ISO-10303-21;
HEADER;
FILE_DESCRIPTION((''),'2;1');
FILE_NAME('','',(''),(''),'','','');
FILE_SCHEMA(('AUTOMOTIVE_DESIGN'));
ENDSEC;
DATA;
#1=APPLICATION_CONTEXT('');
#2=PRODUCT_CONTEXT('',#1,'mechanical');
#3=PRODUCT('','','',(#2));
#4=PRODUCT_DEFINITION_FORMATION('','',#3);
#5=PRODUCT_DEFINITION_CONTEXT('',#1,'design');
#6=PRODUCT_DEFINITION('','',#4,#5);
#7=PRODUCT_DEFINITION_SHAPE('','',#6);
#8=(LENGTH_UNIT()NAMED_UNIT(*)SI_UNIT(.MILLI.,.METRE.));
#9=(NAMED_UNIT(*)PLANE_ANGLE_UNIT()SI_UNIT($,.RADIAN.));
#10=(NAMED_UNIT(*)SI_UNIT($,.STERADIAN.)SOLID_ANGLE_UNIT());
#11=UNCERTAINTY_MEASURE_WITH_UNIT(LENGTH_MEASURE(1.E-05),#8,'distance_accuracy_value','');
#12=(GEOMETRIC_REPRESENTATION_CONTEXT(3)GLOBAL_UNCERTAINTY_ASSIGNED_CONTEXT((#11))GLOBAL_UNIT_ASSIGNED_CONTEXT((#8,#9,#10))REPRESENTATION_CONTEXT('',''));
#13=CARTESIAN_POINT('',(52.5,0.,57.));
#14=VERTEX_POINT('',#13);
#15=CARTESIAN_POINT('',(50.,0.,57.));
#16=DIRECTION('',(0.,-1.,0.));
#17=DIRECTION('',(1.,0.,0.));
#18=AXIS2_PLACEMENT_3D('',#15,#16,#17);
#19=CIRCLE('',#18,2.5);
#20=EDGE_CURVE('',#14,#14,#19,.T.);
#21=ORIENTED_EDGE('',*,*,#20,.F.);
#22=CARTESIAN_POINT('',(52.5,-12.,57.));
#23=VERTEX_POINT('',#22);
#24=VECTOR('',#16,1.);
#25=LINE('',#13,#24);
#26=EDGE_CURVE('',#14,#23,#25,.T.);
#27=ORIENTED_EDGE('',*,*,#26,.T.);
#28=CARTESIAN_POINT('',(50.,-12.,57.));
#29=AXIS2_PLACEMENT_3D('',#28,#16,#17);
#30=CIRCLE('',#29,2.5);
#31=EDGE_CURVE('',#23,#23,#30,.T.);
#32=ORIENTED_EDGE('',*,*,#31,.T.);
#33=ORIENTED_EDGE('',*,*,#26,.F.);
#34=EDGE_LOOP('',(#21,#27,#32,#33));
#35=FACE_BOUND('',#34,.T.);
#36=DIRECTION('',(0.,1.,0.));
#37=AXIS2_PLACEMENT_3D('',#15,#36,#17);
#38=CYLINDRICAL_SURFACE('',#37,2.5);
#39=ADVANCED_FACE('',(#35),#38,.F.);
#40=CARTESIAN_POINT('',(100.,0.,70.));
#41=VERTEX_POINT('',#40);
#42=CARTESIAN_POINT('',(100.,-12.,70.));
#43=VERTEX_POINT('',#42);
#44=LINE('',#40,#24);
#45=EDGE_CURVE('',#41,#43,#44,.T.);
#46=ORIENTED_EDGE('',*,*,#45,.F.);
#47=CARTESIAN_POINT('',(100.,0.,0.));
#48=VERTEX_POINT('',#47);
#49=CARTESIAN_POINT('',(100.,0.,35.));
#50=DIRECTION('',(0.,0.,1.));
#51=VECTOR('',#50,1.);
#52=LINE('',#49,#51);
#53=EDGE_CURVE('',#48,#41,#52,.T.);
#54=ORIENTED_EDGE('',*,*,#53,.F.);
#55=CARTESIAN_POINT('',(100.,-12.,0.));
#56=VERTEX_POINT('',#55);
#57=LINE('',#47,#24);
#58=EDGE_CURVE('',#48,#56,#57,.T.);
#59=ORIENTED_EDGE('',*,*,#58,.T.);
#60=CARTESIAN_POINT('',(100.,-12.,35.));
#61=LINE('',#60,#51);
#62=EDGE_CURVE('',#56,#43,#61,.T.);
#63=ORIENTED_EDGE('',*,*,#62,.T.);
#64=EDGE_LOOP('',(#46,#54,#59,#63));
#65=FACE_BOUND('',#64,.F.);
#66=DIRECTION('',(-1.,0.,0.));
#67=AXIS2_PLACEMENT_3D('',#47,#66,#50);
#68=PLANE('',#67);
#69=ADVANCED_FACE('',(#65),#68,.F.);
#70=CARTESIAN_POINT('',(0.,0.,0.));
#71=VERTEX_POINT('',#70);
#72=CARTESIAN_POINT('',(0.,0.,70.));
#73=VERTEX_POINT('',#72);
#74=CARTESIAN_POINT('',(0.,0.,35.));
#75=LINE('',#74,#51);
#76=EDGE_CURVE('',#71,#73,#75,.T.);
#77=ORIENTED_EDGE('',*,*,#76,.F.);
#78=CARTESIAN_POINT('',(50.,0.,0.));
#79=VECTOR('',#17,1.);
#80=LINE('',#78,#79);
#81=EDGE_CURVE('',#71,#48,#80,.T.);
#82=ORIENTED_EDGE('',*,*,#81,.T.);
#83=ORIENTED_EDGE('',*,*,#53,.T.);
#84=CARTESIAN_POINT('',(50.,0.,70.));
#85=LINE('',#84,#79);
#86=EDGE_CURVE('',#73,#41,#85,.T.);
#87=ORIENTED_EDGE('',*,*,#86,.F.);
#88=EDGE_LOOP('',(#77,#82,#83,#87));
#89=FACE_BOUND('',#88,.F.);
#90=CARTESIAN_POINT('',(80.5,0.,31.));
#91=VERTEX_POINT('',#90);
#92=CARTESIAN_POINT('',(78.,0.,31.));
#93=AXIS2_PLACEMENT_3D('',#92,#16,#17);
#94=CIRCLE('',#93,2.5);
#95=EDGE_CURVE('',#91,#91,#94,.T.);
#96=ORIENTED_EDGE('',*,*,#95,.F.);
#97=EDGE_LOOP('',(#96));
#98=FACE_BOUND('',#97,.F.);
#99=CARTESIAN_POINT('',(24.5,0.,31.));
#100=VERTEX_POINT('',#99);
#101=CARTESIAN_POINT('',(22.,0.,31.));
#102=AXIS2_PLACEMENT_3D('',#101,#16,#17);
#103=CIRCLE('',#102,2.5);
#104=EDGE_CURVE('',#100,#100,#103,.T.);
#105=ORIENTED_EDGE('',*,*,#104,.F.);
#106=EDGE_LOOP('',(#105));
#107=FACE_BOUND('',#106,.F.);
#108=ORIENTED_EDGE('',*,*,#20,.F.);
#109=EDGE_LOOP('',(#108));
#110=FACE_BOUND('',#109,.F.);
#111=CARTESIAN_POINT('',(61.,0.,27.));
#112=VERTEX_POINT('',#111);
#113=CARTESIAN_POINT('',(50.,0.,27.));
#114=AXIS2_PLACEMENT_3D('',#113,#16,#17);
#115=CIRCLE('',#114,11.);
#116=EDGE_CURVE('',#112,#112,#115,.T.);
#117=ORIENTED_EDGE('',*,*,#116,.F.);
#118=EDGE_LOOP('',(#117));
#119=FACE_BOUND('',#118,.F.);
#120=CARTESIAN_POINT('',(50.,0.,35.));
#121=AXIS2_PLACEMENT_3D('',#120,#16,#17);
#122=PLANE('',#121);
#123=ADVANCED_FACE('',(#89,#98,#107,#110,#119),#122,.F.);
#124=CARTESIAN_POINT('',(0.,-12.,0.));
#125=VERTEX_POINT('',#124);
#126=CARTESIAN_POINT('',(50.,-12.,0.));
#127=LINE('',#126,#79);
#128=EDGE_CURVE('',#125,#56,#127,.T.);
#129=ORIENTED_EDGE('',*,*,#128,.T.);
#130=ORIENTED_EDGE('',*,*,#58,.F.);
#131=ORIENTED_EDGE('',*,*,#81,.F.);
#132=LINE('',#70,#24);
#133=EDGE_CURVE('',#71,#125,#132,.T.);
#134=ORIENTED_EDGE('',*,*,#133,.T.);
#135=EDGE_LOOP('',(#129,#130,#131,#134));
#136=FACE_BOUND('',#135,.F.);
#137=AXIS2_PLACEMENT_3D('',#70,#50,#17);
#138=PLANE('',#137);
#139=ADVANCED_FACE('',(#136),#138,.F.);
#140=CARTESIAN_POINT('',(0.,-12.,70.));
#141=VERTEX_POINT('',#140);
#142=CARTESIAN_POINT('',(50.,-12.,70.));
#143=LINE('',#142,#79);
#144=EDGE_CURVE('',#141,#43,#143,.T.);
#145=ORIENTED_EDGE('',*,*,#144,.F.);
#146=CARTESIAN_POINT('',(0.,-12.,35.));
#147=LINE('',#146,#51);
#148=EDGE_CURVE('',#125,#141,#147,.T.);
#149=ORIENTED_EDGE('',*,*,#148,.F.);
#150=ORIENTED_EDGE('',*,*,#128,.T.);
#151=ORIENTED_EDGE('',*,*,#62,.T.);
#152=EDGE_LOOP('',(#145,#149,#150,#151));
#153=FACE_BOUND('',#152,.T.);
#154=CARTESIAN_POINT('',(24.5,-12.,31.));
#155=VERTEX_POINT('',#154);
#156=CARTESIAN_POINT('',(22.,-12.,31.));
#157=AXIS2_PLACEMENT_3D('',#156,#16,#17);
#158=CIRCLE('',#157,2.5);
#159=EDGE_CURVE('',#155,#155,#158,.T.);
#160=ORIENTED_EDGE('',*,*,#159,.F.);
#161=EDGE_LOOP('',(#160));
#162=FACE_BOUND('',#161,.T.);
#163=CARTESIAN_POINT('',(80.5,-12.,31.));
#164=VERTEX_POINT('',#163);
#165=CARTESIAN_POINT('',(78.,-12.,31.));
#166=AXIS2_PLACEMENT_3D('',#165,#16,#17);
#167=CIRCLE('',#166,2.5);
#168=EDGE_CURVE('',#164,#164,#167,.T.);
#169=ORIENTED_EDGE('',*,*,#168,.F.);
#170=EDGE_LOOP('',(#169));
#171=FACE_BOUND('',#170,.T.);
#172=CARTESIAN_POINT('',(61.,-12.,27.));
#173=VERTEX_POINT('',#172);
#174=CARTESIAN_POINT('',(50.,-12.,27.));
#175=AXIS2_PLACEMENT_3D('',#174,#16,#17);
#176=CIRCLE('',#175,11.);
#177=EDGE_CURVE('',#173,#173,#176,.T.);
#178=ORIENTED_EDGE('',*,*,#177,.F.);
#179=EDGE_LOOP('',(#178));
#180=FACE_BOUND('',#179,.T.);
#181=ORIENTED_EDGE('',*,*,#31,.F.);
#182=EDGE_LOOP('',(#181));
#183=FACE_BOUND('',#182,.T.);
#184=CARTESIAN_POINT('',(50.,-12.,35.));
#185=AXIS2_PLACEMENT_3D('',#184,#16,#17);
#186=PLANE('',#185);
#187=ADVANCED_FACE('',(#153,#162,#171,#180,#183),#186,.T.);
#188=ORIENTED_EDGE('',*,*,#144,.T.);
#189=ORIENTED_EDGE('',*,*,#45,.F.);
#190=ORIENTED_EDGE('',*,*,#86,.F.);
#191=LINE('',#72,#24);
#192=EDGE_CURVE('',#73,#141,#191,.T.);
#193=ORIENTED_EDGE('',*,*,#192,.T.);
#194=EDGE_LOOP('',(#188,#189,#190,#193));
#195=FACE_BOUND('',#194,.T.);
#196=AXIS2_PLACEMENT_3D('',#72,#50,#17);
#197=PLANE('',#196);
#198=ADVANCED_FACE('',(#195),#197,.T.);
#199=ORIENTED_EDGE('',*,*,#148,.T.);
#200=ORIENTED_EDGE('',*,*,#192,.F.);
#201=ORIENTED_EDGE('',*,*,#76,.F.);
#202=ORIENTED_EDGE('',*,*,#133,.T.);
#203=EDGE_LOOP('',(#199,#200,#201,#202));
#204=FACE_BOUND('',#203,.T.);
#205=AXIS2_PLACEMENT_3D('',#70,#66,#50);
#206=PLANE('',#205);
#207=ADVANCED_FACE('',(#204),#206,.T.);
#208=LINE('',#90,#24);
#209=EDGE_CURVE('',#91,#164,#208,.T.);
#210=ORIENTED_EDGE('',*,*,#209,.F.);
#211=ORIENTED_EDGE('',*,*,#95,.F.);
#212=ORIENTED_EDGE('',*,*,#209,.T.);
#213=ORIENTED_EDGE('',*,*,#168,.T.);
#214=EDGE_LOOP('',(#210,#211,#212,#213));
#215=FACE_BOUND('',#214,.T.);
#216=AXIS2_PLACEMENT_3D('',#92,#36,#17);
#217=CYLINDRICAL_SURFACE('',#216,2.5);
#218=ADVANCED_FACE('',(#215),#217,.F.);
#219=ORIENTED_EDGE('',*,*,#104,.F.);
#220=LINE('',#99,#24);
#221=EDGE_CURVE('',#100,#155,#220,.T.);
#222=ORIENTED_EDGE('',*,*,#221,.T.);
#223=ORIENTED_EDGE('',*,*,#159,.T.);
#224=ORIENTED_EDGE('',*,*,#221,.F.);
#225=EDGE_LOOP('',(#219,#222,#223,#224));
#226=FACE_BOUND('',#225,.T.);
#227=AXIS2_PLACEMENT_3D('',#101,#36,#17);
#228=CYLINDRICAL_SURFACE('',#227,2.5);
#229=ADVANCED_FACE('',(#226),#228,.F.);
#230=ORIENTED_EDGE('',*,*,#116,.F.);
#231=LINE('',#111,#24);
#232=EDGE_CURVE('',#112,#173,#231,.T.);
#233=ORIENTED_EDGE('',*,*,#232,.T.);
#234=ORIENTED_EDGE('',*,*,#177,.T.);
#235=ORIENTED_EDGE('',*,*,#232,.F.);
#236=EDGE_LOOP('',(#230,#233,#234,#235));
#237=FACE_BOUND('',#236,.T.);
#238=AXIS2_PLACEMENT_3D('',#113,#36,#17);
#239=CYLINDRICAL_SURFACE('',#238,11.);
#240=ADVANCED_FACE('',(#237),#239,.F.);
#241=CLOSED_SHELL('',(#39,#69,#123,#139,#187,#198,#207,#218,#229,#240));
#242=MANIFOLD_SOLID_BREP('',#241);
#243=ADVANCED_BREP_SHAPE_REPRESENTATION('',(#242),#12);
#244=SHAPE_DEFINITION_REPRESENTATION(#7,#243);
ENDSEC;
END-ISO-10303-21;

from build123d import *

# Parameters (mm, degrees)
F0_W     = 100
F0_H     = 70
F0_R     = 2.5
F0_R_2   = 11
F1_DEPTH = 12


with BuildPart() as f1:
    # F0 (on Front) → F1 (new body)
    with BuildSketch(Plane.XZ):
        with Locations((50, 35)):
            Rectangle(F0_W, F0_H)
        with Locations((22, 31)):
            Circle(F0_R, mode=Mode.SUBTRACT)
        with Locations((50, 27)):
            Circle(F0_R_2, mode=Mode.SUBTRACT)
        with Locations((78, 31)):
            Circle(F0_R, mode=Mode.SUBTRACT)
        with Locations((50, 57)):
            Circle(F0_R, mode=Mode.SUBTRACT)
    extrude(amount=F1_DEPTH)


solid = f1.part
